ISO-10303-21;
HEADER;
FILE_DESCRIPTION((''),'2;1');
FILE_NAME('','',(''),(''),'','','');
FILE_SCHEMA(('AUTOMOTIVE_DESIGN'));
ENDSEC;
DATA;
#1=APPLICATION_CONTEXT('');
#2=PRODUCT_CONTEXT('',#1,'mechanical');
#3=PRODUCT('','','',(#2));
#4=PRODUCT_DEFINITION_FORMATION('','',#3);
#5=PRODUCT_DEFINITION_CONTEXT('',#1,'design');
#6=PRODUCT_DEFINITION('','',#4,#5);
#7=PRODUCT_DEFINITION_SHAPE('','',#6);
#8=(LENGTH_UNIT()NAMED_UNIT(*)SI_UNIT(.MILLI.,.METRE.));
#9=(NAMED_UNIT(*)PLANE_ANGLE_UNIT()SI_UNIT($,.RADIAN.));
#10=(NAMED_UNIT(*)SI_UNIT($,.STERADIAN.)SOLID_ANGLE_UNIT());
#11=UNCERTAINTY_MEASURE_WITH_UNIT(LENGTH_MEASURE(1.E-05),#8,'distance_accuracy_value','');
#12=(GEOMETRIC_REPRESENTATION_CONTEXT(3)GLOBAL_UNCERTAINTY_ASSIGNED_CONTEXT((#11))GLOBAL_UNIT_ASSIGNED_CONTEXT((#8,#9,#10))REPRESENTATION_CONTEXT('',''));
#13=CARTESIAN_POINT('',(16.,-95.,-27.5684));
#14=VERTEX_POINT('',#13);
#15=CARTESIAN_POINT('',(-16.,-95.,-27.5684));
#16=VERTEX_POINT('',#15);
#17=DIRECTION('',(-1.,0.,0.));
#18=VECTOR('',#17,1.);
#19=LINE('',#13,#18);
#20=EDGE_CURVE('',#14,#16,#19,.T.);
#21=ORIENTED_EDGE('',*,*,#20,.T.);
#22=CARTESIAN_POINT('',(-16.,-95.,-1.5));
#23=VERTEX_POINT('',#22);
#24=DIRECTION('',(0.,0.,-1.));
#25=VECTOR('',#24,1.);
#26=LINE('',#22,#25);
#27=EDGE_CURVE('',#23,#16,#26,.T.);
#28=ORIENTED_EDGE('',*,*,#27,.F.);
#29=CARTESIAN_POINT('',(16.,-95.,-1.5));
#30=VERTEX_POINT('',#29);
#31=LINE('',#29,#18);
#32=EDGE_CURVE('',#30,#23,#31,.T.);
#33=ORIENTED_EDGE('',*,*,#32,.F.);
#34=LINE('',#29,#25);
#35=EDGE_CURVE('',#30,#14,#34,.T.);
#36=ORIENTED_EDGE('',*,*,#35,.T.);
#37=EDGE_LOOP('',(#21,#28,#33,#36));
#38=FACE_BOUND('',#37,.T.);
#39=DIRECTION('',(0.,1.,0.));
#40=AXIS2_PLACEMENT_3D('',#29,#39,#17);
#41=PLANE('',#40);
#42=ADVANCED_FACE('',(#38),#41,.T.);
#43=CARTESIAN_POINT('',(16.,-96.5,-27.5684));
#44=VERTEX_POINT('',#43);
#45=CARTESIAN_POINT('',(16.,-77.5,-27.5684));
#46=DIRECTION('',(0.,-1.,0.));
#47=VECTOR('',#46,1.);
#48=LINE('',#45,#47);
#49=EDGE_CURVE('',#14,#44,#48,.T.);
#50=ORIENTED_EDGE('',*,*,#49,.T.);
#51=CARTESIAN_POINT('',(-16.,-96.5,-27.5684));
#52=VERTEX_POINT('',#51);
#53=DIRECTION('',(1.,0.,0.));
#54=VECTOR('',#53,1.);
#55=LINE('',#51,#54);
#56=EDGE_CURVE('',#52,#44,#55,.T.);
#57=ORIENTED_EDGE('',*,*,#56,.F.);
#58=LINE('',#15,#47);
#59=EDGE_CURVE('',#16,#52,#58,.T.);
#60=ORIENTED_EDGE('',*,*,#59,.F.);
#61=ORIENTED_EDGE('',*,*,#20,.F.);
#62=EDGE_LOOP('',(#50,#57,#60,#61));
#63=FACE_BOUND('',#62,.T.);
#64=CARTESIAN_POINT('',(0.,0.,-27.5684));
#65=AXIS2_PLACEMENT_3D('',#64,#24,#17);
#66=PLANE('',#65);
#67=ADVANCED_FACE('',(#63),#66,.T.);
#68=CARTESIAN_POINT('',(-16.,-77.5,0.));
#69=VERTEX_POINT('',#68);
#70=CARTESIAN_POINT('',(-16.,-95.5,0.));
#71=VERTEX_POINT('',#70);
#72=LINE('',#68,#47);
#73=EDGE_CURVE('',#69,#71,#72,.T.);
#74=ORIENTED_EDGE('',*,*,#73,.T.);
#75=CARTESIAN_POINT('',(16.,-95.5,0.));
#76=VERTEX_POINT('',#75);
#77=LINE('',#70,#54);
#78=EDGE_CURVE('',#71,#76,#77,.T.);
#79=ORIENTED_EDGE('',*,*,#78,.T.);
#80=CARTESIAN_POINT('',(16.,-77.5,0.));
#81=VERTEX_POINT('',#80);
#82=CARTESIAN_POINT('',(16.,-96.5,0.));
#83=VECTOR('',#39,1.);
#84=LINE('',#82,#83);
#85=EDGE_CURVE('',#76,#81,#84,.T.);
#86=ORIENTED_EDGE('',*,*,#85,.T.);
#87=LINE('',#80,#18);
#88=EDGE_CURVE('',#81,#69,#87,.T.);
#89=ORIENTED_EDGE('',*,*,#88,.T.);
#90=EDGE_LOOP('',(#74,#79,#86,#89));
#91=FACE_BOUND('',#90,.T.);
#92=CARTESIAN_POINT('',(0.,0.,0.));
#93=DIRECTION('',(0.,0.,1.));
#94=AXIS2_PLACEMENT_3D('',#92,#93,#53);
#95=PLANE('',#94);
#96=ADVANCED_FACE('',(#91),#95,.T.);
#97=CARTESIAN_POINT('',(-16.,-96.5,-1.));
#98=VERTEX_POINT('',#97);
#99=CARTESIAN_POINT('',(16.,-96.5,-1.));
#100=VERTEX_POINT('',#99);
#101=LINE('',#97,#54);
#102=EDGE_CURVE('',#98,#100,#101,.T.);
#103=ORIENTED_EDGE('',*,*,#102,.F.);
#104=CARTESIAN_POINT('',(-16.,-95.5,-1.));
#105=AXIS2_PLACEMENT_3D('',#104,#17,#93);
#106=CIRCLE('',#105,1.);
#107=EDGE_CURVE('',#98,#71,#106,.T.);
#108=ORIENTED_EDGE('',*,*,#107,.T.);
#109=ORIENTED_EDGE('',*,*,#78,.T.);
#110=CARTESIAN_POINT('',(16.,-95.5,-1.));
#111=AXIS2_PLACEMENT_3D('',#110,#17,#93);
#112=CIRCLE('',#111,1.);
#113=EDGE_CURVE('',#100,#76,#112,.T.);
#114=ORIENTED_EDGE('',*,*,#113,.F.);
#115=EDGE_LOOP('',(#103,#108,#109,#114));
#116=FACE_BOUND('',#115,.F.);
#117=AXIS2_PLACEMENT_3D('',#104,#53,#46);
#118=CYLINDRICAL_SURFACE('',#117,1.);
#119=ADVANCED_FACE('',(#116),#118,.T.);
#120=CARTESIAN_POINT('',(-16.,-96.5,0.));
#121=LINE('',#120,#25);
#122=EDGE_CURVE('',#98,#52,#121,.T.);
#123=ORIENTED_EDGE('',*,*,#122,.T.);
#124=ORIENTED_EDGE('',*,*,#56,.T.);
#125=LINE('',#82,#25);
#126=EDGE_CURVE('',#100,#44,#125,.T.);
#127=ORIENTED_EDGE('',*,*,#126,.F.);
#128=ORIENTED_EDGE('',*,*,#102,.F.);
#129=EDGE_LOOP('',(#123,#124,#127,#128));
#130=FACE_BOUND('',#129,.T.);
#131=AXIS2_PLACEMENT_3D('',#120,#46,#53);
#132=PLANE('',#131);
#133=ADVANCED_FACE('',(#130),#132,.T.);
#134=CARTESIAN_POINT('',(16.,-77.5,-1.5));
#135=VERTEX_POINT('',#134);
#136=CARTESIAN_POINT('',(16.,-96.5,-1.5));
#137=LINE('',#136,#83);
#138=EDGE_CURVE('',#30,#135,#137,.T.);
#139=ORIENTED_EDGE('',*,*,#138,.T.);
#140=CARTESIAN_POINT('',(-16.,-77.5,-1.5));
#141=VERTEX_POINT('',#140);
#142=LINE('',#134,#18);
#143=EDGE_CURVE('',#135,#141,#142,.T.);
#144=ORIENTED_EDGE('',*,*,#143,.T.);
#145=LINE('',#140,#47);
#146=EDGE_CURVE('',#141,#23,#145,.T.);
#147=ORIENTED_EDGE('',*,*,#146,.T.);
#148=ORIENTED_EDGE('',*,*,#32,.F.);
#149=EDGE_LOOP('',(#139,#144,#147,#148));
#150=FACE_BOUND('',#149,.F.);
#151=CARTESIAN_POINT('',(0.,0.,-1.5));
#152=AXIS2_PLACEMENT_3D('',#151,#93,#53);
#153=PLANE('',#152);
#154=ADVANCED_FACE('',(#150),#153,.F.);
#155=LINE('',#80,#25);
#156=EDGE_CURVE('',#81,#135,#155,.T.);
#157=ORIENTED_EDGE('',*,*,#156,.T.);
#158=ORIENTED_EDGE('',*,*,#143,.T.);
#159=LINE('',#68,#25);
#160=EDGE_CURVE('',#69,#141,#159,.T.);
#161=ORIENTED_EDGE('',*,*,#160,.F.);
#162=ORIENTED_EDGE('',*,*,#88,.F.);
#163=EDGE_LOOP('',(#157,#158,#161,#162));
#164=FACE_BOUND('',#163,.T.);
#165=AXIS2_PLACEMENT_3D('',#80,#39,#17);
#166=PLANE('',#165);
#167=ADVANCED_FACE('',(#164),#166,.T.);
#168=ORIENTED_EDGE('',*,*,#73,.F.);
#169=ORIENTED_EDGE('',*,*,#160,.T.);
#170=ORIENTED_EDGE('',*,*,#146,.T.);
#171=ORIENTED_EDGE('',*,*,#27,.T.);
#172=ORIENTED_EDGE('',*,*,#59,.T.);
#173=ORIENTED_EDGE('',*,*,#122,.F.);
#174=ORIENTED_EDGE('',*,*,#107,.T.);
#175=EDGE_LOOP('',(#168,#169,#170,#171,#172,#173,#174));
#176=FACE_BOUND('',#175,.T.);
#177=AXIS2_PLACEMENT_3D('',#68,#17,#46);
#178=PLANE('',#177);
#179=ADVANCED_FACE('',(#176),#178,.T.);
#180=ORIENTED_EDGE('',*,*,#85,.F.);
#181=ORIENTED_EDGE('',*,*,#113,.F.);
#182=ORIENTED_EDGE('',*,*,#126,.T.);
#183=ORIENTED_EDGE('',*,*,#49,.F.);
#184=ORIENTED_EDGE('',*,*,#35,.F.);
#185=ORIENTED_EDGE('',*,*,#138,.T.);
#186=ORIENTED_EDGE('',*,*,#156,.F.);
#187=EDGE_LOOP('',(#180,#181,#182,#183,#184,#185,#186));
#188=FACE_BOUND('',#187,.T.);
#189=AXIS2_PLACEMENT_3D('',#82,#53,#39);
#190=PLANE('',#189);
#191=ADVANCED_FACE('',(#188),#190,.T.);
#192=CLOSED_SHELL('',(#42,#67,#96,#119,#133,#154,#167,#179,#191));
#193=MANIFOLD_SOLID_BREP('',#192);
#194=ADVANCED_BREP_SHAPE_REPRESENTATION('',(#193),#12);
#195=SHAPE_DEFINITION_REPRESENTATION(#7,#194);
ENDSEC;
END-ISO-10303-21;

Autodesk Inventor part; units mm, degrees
ref_plane "YZ Plane" through (0, 0, 0) normal (1, 0, 0) x (0, 1, 0)
ref_plane "XZ Plane" through (0, 0, 0) normal (0, 1, 0) x (-1, 0, 0)
sketch "Szkic1" plane through (0, 0, 0) normal (0, 0, 1) x (1, 0, 0)
  line L0 (16, -77.5) -> (-16, -77.5)
  line L1 (-16, -77.5) -> (-16, -96.5)
  line L2 (-16, -96.5) -> (16, -96.5)
  line L3 (16, -96.5) -> (16, -77.5)
  point P0 (0, 0)
  dimension "d1" = 32
extrude "Wyciągnięcie proste1" add sketch "Szkic1" against normal blind 1.5
sketch "Szkic2" plane through (0, 0, -1.5) normal (0, 0, -1) x (-1, 0, 0)
  line L0 (-16, -77.5) -> (-16, -96.5) projected
  line L1 (16, -96.5) -> (-16, -96.5)
  line L2 (-16, -96.5) -> (-16, -95)
  line L3 (-16, -95) -> (16, -95)
  line L4 (16, -95) -> (16, -96.5)
  point P0 (0, 0)
  dimension "d5" = 1.5
ref_plane "Płaszczyzna konstrukcyjna1" through (-22.5, -96.5, -27.5684) normal (0, 0, -1) x (0, 1, 0)
extrude "Wyciągnięcie proste2" add sketch "Szkic2" along normal up to surface (26.0684 mm away)
fillet "Zaokrąglenie1" radius 1 1 edges at (0, -96.5, 0)
properties part number "ZAŚLEPKA PRZEDNIA DOLNA CZARNEJ OBUDOWY STOJAKA" material "Tworzywo sztuczne, nieprzezroczyste czarne"
